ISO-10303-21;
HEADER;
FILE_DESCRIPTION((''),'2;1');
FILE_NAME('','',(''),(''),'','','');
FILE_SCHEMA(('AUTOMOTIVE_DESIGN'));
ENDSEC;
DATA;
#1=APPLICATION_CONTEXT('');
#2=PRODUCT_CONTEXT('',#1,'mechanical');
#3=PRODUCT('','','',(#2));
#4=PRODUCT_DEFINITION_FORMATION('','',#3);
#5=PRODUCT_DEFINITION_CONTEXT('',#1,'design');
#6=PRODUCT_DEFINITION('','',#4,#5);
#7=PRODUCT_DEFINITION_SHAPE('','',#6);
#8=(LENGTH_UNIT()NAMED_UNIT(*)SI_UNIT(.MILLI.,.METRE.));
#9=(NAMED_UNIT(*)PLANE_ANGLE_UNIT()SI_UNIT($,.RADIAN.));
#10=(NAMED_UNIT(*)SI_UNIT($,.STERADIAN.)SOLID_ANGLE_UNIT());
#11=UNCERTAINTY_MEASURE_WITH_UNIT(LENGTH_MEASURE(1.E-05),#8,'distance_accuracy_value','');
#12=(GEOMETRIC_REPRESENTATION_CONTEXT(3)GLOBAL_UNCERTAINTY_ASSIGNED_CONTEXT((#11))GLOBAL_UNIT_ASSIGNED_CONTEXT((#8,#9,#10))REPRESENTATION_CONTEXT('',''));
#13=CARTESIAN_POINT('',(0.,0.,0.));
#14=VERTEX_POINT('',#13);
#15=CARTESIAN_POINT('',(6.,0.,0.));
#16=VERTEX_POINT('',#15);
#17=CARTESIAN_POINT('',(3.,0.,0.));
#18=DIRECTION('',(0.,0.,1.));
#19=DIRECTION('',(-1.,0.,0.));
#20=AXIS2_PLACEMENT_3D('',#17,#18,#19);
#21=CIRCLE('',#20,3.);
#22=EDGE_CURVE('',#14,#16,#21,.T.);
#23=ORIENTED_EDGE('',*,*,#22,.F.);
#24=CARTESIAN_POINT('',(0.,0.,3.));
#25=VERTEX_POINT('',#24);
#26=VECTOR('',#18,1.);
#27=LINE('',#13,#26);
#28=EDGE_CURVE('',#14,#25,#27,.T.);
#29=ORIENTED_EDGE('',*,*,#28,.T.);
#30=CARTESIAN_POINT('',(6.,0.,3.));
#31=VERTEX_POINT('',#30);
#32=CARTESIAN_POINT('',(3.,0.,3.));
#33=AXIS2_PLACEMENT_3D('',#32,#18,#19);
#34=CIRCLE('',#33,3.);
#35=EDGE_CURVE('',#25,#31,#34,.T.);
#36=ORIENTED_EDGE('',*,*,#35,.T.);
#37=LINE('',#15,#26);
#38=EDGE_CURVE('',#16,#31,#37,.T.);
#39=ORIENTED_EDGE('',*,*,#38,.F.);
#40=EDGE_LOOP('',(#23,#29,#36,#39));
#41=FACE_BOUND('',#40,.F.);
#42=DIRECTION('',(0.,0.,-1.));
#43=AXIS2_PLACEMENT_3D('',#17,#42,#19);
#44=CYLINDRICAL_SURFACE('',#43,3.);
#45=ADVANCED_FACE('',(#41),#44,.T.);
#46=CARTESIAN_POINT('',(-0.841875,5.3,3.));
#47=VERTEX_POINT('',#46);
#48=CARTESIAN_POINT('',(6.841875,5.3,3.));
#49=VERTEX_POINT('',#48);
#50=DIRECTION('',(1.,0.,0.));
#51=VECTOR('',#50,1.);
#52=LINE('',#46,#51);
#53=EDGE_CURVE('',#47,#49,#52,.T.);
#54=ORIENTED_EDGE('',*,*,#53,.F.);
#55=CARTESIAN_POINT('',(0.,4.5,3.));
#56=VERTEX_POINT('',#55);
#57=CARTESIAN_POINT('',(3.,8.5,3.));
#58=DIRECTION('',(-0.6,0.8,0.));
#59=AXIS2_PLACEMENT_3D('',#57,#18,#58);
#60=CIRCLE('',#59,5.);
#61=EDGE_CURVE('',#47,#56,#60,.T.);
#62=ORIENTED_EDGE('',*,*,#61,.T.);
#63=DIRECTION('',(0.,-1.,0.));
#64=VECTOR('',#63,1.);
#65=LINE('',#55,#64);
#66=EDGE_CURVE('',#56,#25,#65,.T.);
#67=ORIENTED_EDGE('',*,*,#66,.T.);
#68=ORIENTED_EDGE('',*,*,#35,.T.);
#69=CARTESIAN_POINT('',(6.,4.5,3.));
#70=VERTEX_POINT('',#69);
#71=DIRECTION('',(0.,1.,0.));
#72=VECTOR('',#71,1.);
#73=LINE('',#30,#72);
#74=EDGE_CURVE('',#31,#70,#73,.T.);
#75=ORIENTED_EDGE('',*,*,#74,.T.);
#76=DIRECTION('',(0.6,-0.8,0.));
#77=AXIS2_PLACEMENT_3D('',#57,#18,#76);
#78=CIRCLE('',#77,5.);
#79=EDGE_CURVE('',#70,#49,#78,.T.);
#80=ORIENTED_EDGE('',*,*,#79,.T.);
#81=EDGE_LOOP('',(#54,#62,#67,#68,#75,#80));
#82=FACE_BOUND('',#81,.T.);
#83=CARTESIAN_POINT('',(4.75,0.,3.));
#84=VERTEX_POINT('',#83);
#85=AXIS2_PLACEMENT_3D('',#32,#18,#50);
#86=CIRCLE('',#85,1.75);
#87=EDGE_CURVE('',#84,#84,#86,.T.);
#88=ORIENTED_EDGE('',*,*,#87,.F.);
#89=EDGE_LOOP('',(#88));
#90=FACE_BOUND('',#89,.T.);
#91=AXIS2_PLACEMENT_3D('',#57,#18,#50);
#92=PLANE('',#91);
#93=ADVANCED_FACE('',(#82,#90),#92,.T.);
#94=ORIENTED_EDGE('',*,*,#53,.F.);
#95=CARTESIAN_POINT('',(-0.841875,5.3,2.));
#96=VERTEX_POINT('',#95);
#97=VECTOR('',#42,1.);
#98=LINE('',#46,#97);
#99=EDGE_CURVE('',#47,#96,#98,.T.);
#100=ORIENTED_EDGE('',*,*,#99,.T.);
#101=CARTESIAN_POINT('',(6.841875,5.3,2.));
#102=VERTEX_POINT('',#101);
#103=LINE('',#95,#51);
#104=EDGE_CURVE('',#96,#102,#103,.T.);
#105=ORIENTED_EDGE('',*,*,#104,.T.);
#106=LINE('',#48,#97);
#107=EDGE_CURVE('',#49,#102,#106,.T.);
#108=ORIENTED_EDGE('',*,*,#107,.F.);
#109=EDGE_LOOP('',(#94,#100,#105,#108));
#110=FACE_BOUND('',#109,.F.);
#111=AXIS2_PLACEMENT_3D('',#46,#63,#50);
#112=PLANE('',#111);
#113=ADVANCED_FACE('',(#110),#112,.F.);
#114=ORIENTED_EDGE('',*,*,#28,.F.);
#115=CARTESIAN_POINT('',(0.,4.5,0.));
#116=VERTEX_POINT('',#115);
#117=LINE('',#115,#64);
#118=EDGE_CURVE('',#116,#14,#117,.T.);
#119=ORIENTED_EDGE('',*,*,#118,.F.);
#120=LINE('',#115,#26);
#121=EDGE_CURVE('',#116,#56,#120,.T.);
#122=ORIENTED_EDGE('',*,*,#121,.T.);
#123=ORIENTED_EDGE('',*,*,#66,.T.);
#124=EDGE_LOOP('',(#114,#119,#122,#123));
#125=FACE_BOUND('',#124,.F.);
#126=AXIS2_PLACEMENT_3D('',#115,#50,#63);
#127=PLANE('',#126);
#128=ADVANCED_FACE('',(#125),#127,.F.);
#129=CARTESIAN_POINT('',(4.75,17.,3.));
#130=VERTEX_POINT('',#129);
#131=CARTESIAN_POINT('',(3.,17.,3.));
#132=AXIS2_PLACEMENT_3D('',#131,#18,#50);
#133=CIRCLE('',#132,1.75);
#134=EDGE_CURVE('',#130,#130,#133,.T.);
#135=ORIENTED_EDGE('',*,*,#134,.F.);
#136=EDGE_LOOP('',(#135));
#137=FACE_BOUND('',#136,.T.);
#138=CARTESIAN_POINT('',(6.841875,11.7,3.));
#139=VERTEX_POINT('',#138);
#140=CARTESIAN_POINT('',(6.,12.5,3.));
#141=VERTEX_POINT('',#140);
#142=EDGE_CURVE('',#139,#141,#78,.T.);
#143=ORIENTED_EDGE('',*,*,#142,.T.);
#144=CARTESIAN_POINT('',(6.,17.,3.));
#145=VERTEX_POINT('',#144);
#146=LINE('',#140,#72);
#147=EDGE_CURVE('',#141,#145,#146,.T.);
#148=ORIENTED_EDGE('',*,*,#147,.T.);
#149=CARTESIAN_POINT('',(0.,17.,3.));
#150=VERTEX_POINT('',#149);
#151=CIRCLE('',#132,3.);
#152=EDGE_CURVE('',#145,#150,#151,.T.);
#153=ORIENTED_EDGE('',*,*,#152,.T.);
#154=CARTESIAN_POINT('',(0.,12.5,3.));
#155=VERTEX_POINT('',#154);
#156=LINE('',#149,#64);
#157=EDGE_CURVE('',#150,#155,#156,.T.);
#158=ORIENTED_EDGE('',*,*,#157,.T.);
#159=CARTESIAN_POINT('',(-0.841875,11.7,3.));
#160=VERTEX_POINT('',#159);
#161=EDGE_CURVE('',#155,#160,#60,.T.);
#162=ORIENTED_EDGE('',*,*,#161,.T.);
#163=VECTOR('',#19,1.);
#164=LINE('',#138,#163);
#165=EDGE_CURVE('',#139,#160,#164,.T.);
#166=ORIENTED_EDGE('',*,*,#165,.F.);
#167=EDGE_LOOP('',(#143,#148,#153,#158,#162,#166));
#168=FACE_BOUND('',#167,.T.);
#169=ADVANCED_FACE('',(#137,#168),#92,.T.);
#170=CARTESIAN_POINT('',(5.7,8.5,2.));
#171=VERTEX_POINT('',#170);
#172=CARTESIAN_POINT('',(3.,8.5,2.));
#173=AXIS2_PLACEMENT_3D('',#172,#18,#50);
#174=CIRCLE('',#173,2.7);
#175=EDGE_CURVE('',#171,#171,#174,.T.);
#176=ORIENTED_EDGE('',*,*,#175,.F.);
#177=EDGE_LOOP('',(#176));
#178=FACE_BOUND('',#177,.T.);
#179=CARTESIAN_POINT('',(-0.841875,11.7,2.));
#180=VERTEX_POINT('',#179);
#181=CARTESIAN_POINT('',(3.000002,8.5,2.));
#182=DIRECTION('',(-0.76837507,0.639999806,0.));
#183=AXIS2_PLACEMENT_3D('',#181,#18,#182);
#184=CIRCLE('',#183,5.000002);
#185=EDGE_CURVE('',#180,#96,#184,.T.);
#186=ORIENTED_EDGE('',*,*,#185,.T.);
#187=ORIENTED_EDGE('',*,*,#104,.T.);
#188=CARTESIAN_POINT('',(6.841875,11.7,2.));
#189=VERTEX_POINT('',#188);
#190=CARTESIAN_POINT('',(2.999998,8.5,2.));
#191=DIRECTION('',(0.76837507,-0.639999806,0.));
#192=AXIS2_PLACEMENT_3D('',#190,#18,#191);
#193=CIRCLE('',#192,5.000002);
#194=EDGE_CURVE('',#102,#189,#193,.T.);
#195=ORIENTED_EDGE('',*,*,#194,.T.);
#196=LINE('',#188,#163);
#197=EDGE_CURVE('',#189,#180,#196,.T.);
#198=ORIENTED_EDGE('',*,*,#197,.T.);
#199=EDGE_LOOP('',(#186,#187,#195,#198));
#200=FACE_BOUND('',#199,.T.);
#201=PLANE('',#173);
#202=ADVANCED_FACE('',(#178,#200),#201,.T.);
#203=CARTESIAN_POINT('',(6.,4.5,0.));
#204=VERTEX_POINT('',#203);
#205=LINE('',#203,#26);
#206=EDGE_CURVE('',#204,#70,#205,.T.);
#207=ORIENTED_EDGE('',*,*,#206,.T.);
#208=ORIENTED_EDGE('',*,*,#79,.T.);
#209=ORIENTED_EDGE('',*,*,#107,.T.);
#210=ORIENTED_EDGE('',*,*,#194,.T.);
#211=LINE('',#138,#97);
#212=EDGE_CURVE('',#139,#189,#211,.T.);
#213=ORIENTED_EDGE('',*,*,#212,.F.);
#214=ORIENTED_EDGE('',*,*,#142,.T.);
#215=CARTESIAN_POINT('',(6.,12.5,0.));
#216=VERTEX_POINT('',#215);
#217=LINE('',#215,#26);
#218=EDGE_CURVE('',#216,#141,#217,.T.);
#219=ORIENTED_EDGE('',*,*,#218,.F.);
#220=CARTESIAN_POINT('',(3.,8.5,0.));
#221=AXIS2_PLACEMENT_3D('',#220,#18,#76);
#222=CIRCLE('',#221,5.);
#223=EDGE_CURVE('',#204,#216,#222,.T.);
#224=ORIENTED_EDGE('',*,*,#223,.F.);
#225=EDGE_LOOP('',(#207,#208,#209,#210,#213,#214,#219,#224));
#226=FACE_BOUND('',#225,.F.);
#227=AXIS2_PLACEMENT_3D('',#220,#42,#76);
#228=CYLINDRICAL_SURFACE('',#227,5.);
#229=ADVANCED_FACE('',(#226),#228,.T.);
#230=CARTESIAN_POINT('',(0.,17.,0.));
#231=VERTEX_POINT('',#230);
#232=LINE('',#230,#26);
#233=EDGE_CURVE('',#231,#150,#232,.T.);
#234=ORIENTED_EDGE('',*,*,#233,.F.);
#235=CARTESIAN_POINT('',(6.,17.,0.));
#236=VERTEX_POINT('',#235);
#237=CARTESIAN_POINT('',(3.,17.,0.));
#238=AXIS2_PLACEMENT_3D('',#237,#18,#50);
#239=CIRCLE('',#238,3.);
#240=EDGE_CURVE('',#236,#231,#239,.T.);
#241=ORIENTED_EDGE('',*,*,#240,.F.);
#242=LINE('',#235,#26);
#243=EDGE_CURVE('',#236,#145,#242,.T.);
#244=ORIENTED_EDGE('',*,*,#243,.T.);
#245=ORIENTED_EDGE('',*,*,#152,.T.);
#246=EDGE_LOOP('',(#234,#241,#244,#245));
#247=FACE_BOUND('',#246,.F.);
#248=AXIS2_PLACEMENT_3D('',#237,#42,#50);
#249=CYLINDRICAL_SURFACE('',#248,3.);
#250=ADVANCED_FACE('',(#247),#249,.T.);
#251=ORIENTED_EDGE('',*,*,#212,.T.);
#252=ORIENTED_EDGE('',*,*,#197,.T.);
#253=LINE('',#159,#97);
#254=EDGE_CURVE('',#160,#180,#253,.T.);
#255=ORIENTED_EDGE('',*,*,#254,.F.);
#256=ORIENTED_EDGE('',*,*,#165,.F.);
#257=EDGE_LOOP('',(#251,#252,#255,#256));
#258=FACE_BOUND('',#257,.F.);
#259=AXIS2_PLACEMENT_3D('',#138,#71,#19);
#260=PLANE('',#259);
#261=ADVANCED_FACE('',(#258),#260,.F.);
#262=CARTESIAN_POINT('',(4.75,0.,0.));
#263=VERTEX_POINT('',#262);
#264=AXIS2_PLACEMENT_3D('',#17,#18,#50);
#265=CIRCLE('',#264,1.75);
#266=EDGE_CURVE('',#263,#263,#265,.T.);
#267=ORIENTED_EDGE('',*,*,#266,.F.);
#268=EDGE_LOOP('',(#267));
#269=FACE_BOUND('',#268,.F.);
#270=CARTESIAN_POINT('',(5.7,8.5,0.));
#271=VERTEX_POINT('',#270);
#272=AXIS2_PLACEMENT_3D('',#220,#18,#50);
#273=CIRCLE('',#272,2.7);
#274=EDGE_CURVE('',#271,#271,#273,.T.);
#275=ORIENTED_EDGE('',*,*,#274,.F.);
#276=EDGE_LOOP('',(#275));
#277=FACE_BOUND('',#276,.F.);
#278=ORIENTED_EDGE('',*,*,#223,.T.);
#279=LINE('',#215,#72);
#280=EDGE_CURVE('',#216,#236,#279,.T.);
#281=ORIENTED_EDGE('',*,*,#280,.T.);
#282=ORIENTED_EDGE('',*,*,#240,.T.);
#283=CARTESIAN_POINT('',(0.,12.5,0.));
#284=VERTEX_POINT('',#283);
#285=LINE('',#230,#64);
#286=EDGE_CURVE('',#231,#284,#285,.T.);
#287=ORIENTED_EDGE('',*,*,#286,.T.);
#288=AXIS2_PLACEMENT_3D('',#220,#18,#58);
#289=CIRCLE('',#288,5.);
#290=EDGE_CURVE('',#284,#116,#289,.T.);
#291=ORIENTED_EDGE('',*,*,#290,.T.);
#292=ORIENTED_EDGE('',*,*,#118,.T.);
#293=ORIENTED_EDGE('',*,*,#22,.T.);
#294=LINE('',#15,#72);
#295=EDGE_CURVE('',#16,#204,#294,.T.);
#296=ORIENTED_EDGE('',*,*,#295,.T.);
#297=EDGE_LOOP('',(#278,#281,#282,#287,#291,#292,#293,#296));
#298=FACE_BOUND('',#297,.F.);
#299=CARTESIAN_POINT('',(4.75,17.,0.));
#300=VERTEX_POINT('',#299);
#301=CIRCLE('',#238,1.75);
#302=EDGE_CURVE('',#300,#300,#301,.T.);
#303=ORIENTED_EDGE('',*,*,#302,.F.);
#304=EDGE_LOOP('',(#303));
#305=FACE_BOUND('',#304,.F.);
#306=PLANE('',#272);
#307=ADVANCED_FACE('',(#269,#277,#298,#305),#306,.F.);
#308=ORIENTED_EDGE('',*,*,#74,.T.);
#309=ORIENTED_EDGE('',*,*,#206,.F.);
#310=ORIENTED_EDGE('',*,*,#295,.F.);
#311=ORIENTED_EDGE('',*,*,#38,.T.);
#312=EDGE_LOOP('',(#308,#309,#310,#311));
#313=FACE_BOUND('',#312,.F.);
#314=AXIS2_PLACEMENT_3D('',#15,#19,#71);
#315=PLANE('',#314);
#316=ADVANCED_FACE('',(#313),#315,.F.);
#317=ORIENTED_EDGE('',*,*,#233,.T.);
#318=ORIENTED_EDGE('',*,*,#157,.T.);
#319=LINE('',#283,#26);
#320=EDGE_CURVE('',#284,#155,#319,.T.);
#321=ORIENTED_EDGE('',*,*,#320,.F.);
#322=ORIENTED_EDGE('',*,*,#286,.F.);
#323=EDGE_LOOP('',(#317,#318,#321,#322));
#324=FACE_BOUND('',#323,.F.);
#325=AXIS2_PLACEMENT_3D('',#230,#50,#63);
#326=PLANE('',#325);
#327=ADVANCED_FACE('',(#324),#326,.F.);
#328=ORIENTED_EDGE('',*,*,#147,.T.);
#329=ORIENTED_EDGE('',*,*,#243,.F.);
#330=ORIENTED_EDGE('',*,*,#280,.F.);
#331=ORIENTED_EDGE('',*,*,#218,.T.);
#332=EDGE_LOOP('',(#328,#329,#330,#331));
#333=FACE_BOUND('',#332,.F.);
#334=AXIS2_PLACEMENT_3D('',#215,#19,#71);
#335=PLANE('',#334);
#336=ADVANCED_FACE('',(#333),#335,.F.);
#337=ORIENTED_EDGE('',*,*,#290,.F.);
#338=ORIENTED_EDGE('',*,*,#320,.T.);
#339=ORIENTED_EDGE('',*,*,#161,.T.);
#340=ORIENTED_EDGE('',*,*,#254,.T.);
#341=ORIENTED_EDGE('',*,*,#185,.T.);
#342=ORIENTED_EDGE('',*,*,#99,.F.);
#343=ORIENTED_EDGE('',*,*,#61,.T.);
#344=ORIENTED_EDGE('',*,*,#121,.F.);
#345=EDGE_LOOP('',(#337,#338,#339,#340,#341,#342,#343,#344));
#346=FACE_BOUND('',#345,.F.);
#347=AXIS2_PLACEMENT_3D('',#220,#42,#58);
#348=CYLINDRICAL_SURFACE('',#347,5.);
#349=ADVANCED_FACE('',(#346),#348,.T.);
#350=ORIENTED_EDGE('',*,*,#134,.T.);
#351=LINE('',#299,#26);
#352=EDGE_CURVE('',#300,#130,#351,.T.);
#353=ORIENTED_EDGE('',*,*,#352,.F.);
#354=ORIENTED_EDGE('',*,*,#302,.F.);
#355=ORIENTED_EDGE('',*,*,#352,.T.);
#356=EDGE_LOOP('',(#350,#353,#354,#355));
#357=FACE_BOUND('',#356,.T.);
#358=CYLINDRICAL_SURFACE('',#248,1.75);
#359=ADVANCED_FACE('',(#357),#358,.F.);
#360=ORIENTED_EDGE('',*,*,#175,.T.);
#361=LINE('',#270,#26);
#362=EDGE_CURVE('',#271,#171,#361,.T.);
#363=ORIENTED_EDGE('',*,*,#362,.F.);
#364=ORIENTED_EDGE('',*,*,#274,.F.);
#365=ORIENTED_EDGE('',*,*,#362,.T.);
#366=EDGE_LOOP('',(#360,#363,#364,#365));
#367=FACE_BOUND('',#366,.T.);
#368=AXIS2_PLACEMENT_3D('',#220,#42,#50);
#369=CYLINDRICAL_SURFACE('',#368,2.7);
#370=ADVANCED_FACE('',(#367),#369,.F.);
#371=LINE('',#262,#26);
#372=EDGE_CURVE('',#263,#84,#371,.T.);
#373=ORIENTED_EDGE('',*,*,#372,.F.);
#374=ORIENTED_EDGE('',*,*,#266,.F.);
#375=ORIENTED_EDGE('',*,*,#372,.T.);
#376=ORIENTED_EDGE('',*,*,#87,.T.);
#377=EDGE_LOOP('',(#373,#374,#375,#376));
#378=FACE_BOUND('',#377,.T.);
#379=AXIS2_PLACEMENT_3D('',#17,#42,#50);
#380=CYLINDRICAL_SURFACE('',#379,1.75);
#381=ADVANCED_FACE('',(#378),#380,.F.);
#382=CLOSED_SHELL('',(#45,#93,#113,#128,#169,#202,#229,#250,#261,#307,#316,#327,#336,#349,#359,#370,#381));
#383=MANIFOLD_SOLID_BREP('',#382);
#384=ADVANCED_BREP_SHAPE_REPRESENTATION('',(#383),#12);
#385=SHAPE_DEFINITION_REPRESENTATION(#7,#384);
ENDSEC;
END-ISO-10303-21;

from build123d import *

# Parameters (mm, degrees)
F0_R     = 1.75
F0_R_2   = 2.7
F1_DEPTH = 3
F2_R     = 2.7
F3_DEPTH = 1


with BuildPart() as f1:
    # F0 (on Top) → F1 (new body)
    with BuildSketch(Plane.XY):
        with BuildLine():
            Line((0, 4.5), (0, 0))
            ThreePointArc((0, 0), (3, -3), (6, 0))
            Line((6, 0), (6, 4.5))
            ThreePointArc((6, 4.5), (8, 8.5), (6, 12.5))
            Line((6, 12.5), (6, 17))
            ThreePointArc((6, 17), (3, 20), (0, 17))
            Line((0, 17), (0, 12.5))
            ThreePointArc((0, 12.5), (-2, 8.5), (0, 4.5))
        make_face()
        with Locations((3, 0)):
            Circle(F0_R, mode=Mode.SUBTRACT)
        with Locations((3, 8.5)):
            Circle(F0_R_2, mode=Mode.SUBTRACT)
        with Locations((3, 17)):
            Circle(F0_R, mode=Mode.SUBTRACT)
    extrude(amount=F1_DEPTH)

    # F2 (on face) → F3 (cut)
    with BuildSketch(Plane.XY.offset(3)):
        with BuildLine():
            Line((6.841875, 11.7), (-0.841875, 11.7))
            ThreePointArc((-0.841875, 11.7), (-2, 8.5), (-0.841875, 5.3))
            Line((-0.841875, 5.3), (6.841875, 5.3))
            ThreePointArc((6.841875, 5.3), (8, 8.5), (6.841875, 11.7))
        make_face()
        with Locations((3, 8.5)):
            Circle(F2_R, mode=Mode.SUBTRACT)
    extrude(amount=-F3_DEPTH, mode=Mode.SUBTRACT)


solid = f1.part
